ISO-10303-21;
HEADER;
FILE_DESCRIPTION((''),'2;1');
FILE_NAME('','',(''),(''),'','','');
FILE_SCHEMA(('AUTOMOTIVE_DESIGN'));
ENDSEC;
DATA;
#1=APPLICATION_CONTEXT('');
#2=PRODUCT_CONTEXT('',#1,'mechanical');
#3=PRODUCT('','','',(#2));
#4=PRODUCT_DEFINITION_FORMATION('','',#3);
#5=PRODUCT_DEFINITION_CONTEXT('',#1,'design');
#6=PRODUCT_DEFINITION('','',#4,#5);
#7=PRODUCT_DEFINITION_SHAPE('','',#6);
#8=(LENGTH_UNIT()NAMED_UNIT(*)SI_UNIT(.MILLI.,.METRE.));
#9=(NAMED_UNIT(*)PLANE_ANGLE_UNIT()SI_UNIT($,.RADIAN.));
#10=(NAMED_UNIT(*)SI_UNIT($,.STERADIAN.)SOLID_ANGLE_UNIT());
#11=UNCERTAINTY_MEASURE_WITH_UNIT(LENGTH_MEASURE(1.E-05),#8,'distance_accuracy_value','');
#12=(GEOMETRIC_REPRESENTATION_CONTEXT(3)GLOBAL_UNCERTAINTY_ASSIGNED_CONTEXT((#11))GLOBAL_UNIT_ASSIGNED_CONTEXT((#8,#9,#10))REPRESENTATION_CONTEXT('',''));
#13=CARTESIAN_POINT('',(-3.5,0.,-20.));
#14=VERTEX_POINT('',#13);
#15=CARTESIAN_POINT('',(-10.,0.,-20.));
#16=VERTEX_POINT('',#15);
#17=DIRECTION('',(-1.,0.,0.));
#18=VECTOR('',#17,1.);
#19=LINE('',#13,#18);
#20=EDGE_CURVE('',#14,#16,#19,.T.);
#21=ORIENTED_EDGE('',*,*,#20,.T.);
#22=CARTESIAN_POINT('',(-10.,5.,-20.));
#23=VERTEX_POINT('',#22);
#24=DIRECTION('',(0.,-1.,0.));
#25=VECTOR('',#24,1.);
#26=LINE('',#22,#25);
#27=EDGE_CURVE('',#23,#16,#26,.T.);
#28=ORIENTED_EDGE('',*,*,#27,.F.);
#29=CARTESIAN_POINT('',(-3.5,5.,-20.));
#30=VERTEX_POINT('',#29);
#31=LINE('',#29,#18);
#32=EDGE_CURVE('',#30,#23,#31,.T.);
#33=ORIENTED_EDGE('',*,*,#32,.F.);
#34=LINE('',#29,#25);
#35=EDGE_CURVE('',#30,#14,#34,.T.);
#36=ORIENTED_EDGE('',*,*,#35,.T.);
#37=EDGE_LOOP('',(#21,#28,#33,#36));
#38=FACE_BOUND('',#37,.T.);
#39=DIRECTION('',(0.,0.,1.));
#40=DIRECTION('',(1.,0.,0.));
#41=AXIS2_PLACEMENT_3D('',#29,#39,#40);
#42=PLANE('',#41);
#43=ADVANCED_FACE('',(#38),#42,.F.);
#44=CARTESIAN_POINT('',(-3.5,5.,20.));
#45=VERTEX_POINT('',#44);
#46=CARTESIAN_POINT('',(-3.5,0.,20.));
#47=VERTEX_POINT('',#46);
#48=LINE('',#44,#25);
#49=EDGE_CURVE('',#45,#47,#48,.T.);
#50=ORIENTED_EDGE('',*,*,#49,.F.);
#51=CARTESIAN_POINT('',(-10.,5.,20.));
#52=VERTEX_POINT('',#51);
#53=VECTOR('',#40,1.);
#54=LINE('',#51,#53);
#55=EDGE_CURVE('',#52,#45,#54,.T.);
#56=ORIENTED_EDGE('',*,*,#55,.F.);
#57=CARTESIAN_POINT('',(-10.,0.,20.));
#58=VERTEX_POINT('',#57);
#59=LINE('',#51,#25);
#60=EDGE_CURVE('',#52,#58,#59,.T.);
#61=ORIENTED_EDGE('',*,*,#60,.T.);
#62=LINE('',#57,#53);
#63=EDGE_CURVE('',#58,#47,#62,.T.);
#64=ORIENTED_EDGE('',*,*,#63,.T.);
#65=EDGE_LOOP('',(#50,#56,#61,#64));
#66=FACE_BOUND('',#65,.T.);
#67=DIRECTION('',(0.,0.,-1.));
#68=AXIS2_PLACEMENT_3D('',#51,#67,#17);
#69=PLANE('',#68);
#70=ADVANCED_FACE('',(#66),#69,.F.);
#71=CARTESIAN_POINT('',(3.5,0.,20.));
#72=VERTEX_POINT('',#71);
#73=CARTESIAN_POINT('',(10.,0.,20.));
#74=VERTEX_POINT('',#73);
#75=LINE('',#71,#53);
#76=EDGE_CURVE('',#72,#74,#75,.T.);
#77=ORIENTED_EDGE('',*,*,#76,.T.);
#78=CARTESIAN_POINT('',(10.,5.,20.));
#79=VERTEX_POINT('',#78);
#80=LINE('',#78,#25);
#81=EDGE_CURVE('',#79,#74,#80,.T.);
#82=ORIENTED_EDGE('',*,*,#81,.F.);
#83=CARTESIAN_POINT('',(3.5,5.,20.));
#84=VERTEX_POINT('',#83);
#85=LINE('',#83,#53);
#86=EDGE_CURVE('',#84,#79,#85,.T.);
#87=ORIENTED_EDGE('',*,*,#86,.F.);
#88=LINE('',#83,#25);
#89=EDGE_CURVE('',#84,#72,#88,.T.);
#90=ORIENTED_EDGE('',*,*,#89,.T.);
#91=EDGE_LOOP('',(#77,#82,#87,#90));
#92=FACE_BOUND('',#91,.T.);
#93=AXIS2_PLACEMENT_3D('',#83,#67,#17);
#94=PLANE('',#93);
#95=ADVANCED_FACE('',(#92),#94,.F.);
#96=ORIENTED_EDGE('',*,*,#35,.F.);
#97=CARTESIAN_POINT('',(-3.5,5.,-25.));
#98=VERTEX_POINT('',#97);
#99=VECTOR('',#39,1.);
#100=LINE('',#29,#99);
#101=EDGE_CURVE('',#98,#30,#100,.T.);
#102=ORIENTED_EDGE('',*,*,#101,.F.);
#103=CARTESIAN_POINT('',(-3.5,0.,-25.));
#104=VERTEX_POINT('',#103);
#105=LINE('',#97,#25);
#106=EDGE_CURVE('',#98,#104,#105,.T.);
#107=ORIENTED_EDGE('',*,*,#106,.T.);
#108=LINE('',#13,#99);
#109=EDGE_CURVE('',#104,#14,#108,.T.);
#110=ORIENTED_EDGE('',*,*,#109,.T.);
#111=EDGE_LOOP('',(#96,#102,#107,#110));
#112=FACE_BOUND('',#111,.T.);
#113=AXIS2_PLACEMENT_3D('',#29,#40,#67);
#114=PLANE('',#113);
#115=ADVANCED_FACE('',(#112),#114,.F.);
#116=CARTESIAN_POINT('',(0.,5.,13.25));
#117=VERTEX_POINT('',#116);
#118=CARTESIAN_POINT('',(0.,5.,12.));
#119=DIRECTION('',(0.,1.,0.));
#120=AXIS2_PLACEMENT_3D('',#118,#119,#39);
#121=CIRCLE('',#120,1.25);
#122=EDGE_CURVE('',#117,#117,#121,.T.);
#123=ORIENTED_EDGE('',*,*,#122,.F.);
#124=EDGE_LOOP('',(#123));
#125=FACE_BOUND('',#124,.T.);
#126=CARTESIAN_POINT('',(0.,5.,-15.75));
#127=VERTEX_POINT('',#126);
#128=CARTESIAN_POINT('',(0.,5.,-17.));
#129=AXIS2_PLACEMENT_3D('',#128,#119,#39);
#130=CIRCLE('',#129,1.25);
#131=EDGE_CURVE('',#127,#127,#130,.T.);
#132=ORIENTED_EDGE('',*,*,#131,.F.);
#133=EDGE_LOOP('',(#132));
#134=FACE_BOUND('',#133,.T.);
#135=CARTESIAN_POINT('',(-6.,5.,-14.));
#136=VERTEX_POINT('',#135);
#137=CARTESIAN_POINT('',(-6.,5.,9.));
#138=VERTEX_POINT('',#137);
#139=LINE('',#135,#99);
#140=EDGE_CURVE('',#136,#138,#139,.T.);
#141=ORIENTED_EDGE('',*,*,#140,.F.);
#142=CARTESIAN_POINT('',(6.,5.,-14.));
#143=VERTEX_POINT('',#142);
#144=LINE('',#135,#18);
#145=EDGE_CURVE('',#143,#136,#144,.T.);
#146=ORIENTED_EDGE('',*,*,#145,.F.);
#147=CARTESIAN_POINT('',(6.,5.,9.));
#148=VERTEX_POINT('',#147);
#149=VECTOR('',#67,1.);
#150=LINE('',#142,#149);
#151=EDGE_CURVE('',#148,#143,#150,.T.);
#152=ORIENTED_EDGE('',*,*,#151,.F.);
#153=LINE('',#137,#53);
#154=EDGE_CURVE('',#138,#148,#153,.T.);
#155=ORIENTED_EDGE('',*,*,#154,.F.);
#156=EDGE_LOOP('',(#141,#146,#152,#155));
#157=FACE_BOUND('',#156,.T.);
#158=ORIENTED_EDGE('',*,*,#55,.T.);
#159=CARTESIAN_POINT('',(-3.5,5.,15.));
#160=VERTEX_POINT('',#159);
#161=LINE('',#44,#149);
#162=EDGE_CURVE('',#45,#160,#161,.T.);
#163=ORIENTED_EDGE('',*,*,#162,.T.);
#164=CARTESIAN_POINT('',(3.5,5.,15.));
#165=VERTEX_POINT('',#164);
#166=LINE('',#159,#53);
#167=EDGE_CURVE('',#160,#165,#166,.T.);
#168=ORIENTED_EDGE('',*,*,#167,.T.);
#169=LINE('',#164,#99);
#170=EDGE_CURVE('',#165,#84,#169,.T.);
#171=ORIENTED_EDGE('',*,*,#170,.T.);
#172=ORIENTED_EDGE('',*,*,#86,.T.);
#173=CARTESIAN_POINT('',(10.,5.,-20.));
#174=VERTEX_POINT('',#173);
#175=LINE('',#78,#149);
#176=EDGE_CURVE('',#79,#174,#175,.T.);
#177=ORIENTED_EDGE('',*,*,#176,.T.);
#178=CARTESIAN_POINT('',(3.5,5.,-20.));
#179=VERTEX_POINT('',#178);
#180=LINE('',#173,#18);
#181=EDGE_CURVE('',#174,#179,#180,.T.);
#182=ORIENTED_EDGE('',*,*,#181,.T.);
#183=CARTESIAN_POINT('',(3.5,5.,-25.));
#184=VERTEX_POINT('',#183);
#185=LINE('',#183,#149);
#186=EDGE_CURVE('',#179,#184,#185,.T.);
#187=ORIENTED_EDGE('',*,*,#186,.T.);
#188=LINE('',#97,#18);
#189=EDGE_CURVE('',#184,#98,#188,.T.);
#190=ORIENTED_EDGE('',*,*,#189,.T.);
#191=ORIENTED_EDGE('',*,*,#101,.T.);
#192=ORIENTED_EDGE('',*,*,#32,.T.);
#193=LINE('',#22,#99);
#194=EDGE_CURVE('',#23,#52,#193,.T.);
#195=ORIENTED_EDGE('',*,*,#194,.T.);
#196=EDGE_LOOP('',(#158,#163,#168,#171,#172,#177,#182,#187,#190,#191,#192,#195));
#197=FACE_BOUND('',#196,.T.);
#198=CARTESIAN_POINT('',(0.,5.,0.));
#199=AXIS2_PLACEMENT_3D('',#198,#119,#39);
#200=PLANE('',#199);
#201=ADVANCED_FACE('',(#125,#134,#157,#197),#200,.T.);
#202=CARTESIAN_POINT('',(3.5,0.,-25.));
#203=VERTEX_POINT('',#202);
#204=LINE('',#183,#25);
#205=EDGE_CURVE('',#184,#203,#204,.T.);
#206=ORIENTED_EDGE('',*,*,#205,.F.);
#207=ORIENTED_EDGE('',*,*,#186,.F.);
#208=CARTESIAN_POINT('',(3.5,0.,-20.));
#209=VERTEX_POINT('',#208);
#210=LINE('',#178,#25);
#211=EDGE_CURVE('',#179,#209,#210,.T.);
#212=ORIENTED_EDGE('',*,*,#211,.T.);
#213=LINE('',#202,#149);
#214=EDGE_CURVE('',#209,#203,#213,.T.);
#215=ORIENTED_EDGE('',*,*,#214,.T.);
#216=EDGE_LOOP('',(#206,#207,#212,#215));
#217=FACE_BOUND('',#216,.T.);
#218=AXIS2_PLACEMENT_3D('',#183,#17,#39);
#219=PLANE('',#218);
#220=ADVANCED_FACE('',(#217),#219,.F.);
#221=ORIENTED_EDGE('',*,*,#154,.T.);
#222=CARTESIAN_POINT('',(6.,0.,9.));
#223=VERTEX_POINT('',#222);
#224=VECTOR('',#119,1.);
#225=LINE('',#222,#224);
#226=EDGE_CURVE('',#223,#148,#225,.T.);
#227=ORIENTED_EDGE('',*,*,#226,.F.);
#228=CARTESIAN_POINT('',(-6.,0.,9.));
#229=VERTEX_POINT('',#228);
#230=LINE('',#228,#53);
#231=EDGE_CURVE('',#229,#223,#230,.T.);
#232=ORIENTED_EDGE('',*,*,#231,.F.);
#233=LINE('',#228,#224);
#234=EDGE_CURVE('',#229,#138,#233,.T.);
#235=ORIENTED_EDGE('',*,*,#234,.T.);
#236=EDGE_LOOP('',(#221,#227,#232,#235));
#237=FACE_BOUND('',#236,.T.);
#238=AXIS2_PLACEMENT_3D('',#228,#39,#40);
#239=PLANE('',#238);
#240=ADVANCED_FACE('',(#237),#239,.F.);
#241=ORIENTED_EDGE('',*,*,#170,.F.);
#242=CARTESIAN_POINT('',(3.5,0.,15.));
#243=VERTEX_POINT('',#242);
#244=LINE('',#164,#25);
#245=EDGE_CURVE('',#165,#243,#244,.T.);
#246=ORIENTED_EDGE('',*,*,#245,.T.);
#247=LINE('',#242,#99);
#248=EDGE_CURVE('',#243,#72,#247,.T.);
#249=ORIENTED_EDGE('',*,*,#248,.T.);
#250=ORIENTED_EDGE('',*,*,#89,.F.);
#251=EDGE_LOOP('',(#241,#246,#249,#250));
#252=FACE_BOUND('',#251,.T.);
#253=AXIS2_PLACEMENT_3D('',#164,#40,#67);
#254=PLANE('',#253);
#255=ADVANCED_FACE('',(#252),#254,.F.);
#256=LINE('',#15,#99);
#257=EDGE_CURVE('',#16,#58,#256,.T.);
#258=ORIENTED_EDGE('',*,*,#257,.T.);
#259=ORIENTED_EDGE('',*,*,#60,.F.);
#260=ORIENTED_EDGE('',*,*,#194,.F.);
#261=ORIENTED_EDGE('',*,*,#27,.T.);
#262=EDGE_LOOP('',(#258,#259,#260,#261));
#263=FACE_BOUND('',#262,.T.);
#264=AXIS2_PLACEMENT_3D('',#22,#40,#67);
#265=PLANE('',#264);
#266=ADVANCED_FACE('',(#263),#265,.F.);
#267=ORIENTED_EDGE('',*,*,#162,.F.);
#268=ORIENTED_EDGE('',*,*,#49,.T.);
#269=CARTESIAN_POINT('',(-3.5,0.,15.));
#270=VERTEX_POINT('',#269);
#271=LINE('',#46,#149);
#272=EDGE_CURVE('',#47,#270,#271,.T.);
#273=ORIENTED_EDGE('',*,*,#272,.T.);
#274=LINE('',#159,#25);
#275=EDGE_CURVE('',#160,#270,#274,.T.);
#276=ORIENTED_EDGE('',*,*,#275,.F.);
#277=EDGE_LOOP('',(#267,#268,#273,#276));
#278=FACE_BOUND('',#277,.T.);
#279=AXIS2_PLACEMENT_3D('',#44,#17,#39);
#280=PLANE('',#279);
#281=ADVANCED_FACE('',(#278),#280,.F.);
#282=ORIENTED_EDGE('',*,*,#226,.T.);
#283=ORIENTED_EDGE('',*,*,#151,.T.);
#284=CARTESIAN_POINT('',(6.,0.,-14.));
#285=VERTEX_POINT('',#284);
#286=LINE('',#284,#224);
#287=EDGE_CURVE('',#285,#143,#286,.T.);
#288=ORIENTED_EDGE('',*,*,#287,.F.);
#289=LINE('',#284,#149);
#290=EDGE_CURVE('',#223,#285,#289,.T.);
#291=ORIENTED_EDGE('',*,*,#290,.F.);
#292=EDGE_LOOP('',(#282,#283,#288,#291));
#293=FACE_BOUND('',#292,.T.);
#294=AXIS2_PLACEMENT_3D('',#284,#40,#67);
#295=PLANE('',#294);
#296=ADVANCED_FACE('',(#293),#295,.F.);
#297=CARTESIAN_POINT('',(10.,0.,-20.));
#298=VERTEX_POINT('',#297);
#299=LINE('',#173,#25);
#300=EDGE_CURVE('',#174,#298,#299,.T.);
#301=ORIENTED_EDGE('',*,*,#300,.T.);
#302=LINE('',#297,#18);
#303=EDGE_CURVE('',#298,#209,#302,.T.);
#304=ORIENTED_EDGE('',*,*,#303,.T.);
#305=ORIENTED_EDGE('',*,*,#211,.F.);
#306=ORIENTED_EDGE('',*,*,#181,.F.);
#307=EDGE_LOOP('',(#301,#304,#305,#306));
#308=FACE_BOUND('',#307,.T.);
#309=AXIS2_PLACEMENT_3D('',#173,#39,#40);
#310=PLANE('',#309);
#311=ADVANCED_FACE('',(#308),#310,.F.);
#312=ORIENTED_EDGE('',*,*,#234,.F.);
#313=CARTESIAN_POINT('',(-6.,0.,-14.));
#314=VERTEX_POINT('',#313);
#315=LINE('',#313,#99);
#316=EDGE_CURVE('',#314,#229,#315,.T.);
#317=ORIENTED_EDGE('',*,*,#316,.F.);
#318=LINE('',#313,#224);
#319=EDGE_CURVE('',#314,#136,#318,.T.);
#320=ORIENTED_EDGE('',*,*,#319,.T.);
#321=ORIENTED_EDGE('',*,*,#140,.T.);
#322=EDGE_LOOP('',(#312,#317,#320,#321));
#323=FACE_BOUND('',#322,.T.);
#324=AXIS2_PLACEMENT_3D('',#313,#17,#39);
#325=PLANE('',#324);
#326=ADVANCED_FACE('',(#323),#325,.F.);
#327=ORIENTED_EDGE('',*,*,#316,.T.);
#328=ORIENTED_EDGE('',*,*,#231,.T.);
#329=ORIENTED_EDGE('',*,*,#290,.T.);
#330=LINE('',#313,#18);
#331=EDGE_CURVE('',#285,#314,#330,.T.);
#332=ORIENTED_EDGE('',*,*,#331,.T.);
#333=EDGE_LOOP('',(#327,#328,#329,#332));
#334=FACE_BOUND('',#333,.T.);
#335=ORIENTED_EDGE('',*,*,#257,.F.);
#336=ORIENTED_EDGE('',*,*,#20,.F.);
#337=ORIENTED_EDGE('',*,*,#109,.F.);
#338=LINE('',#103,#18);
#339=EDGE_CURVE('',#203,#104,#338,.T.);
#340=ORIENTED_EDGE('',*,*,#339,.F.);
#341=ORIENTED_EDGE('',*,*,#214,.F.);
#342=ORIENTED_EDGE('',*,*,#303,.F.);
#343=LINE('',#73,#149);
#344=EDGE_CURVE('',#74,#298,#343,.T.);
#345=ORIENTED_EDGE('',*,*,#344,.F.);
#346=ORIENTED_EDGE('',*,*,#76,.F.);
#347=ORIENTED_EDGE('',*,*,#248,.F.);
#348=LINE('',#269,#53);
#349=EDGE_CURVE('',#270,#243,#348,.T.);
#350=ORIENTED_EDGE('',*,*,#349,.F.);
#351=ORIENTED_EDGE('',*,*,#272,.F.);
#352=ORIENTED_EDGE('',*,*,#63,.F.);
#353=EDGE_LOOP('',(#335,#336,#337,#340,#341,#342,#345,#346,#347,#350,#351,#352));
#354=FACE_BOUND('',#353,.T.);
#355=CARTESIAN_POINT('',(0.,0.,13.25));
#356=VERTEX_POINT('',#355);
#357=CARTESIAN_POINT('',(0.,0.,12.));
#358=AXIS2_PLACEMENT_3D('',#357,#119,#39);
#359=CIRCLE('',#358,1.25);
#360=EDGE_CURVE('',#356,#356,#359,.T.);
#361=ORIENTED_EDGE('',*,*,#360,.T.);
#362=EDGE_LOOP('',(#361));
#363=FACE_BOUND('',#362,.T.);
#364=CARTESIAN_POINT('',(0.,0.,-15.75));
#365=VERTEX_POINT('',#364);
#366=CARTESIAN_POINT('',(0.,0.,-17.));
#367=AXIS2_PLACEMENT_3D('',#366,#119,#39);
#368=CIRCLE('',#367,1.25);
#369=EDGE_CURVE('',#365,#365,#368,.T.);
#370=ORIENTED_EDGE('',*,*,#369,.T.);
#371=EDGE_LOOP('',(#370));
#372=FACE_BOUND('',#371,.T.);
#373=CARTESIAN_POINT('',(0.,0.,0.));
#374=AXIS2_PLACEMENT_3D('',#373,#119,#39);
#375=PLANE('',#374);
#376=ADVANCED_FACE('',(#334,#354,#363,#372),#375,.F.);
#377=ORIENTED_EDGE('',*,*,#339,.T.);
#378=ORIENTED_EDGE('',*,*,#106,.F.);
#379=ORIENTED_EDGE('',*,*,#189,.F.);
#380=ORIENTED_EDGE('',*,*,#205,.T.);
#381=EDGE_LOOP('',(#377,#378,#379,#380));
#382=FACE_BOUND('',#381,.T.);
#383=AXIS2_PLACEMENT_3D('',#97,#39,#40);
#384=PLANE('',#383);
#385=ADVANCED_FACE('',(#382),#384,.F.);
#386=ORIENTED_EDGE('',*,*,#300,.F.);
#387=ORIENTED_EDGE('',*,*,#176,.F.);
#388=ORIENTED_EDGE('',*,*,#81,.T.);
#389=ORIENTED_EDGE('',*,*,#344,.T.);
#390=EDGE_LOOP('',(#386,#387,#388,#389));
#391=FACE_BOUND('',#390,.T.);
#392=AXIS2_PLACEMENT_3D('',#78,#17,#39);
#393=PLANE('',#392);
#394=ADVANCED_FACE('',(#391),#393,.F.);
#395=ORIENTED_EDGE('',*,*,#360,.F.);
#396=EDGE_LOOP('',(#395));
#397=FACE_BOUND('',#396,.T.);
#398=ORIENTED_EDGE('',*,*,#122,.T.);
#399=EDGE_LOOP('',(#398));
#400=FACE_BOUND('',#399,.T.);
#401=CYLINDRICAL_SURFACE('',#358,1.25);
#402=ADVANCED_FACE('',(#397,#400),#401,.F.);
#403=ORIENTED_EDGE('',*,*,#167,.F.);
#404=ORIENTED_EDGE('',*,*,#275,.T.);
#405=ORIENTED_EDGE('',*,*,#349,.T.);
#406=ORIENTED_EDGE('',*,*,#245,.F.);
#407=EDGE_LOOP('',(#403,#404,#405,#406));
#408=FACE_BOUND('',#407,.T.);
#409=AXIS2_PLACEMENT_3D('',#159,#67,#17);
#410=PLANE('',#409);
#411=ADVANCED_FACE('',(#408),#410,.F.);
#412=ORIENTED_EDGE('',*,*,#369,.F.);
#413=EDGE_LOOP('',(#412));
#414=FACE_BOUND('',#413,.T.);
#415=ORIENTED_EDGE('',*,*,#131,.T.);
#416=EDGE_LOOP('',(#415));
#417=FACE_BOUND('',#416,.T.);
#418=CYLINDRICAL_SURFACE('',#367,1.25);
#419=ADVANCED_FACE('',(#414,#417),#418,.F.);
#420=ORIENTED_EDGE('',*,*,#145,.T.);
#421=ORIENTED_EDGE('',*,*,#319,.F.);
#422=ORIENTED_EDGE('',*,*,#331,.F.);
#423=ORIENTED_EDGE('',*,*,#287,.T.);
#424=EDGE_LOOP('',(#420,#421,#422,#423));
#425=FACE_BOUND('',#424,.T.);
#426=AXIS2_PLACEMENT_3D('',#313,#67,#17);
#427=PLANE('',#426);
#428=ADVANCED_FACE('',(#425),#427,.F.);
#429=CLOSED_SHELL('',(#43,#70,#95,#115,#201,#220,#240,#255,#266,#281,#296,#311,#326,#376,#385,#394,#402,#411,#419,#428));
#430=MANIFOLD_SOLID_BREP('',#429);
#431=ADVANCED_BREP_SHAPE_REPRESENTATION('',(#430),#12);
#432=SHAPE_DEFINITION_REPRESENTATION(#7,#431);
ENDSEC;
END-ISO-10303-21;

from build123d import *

# Parameters (mm, degrees)
BOSS_EXTRUDE1_DEPTH = 5
SKETCH2_R           = 1.25
SKETCH2_W           = 12
SKETCH2_H           = 23
CUT_EXTRUDE1_DEPTH  = 5


with BuildPart() as part:
    # Sketch1 → Boss-Extrude1 (new body)
    with BuildSketch(Plane(origin=(0, 0, 0), x_dir=(1, 0, 0), z_dir=(0, 1, 0))):
        Polygon((-10, 20), (-10, -20), (-3.5, -20), (-3.5, -15), (3.5, -15), (3.5, -20), (10, -20), (10, 20), (3.5, 20), (3.5, 25), (-3.5, 25), (-3.5, 20), align=None)
    extrude(amount=BOSS_EXTRUDE1_DEPTH)

    # Sketch2 → Cut-Extrude1 (cut)
    with BuildSketch(Plane(origin=(0, 5, 0), x_dir=(1, 0, 0), z_dir=(0, 1, 0))):
        with Locations(Location((0, 17, 0), (0, 0, 270))):
            Circle(SKETCH2_R)
        with Locations(Location((0, -12, 0), (0, 0, 270))):
            Circle(SKETCH2_R)
        with Locations((0, 2.5)):
            Rectangle(SKETCH2_W, SKETCH2_H)
    extrude(amount=-CUT_EXTRUDE1_DEPTH, mode=Mode.SUBTRACT)


solid = part.part
